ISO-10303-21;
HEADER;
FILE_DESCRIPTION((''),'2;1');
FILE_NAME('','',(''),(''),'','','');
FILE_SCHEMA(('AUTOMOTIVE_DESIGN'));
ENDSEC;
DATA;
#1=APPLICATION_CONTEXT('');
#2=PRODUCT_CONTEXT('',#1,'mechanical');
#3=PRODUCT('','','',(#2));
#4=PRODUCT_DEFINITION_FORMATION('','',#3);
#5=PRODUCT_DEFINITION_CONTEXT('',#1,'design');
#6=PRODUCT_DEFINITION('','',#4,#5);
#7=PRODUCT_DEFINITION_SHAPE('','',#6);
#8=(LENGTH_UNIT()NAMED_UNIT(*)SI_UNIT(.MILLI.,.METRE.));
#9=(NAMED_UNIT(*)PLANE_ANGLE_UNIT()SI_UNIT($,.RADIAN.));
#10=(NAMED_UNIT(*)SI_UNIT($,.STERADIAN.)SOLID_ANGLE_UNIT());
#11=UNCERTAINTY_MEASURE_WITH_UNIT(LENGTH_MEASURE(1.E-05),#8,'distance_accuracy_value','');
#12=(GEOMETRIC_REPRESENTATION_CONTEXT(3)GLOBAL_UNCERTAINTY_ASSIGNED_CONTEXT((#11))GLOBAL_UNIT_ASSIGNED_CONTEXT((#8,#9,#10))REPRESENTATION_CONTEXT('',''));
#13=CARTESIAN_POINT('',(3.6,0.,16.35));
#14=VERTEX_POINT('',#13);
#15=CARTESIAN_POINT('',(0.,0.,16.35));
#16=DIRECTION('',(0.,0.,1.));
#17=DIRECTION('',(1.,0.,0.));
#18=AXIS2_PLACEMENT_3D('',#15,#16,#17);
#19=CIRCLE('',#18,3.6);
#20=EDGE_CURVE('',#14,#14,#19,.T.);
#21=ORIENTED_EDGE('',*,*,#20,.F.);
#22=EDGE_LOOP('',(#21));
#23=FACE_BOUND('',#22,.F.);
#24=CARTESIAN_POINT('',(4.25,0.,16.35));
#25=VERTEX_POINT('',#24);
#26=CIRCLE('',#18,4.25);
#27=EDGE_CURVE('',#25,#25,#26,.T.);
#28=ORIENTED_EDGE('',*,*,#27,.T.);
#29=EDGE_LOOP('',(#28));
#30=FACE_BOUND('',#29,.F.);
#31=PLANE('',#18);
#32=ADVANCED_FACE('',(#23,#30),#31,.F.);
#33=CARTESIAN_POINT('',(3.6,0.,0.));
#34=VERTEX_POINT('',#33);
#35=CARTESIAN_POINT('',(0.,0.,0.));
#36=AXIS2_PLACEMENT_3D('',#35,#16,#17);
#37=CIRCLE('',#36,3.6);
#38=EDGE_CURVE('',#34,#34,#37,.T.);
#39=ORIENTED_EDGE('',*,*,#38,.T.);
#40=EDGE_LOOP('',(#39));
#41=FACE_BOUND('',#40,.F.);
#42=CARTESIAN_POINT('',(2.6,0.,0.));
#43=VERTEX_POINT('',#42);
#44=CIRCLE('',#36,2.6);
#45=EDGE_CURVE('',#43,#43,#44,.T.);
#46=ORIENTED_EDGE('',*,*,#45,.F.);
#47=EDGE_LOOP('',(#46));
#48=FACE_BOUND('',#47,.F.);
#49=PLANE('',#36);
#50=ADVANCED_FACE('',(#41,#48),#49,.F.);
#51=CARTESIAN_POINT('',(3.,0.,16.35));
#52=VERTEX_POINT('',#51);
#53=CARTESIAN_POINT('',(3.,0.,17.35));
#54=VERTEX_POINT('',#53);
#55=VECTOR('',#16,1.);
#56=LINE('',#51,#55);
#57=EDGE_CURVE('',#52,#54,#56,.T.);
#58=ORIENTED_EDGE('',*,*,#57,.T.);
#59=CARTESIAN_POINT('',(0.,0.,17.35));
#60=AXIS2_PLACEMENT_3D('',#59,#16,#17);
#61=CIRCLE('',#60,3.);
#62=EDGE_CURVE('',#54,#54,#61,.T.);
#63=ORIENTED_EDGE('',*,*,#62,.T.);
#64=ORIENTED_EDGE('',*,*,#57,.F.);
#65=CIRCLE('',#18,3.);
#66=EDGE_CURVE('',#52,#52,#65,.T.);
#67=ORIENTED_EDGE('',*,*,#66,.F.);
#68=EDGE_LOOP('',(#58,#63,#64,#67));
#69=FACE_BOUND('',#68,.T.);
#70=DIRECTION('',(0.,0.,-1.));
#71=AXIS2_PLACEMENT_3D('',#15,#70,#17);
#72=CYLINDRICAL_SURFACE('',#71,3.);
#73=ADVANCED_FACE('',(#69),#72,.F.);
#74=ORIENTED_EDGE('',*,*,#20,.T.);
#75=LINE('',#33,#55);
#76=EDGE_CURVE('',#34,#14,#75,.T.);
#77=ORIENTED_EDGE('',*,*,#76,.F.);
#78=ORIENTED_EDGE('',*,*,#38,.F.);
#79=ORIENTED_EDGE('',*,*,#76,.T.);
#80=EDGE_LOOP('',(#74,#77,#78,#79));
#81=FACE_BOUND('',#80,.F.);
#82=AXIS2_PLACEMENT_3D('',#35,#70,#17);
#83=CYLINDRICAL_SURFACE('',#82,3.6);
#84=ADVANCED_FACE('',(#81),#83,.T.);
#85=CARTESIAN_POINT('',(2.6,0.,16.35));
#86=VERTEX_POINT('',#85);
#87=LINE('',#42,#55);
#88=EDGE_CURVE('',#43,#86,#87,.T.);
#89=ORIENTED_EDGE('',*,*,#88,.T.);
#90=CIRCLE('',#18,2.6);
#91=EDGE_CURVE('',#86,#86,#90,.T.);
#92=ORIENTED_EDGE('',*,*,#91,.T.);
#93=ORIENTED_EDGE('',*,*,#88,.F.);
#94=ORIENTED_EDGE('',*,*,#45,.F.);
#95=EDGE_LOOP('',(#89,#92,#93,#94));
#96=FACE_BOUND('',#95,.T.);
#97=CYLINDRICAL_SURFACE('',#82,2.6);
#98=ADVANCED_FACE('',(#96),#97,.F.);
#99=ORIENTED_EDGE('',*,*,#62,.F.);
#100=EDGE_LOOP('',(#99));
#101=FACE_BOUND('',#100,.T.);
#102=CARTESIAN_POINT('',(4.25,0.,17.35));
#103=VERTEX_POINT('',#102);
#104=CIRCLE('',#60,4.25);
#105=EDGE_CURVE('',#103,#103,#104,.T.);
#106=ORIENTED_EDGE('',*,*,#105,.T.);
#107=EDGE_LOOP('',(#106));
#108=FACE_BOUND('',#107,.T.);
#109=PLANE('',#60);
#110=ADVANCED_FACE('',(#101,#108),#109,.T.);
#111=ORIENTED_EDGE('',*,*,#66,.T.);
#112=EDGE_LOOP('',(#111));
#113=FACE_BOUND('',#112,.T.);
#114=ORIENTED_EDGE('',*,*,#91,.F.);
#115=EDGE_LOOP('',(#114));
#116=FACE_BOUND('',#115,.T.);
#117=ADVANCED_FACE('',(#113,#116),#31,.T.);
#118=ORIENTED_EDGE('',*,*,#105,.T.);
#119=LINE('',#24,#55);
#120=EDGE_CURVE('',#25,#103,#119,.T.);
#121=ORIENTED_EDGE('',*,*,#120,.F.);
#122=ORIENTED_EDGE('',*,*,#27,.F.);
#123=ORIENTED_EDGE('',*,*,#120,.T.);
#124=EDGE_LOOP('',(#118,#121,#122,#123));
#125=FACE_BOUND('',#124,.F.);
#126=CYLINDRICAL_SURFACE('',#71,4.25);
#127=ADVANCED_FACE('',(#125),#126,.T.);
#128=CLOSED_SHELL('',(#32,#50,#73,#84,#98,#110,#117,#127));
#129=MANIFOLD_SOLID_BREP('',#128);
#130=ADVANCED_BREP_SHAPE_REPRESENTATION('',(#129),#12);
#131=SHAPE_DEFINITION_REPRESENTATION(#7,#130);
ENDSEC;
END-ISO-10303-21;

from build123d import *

# Parameters (mm, degrees)
SKETCH_R      = 3.6
SKETCH_R_2    = 2.6
PAD_DEPTH     = 16.35
SKETCH001_R   = 4.25
SKETCH001_R_2 = 3
PAD001_DEPTH  = 1


with BuildPart() as part:
    # Sketch → Pad (new body)
    with BuildSketch(Plane.XY):
        Circle(SKETCH_R)
        Circle(SKETCH_R_2, mode=Mode.SUBTRACT)
    extrude(amount=PAD_DEPTH)

    # Sketch001 → Pad001 (new body)
    with BuildSketch(Plane.XY.offset(16.35)):
        Circle(SKETCH001_R)
        Circle(SKETCH001_R_2, mode=Mode.SUBTRACT)
    extrude(amount=PAD001_DEPTH)


solid = part.part
